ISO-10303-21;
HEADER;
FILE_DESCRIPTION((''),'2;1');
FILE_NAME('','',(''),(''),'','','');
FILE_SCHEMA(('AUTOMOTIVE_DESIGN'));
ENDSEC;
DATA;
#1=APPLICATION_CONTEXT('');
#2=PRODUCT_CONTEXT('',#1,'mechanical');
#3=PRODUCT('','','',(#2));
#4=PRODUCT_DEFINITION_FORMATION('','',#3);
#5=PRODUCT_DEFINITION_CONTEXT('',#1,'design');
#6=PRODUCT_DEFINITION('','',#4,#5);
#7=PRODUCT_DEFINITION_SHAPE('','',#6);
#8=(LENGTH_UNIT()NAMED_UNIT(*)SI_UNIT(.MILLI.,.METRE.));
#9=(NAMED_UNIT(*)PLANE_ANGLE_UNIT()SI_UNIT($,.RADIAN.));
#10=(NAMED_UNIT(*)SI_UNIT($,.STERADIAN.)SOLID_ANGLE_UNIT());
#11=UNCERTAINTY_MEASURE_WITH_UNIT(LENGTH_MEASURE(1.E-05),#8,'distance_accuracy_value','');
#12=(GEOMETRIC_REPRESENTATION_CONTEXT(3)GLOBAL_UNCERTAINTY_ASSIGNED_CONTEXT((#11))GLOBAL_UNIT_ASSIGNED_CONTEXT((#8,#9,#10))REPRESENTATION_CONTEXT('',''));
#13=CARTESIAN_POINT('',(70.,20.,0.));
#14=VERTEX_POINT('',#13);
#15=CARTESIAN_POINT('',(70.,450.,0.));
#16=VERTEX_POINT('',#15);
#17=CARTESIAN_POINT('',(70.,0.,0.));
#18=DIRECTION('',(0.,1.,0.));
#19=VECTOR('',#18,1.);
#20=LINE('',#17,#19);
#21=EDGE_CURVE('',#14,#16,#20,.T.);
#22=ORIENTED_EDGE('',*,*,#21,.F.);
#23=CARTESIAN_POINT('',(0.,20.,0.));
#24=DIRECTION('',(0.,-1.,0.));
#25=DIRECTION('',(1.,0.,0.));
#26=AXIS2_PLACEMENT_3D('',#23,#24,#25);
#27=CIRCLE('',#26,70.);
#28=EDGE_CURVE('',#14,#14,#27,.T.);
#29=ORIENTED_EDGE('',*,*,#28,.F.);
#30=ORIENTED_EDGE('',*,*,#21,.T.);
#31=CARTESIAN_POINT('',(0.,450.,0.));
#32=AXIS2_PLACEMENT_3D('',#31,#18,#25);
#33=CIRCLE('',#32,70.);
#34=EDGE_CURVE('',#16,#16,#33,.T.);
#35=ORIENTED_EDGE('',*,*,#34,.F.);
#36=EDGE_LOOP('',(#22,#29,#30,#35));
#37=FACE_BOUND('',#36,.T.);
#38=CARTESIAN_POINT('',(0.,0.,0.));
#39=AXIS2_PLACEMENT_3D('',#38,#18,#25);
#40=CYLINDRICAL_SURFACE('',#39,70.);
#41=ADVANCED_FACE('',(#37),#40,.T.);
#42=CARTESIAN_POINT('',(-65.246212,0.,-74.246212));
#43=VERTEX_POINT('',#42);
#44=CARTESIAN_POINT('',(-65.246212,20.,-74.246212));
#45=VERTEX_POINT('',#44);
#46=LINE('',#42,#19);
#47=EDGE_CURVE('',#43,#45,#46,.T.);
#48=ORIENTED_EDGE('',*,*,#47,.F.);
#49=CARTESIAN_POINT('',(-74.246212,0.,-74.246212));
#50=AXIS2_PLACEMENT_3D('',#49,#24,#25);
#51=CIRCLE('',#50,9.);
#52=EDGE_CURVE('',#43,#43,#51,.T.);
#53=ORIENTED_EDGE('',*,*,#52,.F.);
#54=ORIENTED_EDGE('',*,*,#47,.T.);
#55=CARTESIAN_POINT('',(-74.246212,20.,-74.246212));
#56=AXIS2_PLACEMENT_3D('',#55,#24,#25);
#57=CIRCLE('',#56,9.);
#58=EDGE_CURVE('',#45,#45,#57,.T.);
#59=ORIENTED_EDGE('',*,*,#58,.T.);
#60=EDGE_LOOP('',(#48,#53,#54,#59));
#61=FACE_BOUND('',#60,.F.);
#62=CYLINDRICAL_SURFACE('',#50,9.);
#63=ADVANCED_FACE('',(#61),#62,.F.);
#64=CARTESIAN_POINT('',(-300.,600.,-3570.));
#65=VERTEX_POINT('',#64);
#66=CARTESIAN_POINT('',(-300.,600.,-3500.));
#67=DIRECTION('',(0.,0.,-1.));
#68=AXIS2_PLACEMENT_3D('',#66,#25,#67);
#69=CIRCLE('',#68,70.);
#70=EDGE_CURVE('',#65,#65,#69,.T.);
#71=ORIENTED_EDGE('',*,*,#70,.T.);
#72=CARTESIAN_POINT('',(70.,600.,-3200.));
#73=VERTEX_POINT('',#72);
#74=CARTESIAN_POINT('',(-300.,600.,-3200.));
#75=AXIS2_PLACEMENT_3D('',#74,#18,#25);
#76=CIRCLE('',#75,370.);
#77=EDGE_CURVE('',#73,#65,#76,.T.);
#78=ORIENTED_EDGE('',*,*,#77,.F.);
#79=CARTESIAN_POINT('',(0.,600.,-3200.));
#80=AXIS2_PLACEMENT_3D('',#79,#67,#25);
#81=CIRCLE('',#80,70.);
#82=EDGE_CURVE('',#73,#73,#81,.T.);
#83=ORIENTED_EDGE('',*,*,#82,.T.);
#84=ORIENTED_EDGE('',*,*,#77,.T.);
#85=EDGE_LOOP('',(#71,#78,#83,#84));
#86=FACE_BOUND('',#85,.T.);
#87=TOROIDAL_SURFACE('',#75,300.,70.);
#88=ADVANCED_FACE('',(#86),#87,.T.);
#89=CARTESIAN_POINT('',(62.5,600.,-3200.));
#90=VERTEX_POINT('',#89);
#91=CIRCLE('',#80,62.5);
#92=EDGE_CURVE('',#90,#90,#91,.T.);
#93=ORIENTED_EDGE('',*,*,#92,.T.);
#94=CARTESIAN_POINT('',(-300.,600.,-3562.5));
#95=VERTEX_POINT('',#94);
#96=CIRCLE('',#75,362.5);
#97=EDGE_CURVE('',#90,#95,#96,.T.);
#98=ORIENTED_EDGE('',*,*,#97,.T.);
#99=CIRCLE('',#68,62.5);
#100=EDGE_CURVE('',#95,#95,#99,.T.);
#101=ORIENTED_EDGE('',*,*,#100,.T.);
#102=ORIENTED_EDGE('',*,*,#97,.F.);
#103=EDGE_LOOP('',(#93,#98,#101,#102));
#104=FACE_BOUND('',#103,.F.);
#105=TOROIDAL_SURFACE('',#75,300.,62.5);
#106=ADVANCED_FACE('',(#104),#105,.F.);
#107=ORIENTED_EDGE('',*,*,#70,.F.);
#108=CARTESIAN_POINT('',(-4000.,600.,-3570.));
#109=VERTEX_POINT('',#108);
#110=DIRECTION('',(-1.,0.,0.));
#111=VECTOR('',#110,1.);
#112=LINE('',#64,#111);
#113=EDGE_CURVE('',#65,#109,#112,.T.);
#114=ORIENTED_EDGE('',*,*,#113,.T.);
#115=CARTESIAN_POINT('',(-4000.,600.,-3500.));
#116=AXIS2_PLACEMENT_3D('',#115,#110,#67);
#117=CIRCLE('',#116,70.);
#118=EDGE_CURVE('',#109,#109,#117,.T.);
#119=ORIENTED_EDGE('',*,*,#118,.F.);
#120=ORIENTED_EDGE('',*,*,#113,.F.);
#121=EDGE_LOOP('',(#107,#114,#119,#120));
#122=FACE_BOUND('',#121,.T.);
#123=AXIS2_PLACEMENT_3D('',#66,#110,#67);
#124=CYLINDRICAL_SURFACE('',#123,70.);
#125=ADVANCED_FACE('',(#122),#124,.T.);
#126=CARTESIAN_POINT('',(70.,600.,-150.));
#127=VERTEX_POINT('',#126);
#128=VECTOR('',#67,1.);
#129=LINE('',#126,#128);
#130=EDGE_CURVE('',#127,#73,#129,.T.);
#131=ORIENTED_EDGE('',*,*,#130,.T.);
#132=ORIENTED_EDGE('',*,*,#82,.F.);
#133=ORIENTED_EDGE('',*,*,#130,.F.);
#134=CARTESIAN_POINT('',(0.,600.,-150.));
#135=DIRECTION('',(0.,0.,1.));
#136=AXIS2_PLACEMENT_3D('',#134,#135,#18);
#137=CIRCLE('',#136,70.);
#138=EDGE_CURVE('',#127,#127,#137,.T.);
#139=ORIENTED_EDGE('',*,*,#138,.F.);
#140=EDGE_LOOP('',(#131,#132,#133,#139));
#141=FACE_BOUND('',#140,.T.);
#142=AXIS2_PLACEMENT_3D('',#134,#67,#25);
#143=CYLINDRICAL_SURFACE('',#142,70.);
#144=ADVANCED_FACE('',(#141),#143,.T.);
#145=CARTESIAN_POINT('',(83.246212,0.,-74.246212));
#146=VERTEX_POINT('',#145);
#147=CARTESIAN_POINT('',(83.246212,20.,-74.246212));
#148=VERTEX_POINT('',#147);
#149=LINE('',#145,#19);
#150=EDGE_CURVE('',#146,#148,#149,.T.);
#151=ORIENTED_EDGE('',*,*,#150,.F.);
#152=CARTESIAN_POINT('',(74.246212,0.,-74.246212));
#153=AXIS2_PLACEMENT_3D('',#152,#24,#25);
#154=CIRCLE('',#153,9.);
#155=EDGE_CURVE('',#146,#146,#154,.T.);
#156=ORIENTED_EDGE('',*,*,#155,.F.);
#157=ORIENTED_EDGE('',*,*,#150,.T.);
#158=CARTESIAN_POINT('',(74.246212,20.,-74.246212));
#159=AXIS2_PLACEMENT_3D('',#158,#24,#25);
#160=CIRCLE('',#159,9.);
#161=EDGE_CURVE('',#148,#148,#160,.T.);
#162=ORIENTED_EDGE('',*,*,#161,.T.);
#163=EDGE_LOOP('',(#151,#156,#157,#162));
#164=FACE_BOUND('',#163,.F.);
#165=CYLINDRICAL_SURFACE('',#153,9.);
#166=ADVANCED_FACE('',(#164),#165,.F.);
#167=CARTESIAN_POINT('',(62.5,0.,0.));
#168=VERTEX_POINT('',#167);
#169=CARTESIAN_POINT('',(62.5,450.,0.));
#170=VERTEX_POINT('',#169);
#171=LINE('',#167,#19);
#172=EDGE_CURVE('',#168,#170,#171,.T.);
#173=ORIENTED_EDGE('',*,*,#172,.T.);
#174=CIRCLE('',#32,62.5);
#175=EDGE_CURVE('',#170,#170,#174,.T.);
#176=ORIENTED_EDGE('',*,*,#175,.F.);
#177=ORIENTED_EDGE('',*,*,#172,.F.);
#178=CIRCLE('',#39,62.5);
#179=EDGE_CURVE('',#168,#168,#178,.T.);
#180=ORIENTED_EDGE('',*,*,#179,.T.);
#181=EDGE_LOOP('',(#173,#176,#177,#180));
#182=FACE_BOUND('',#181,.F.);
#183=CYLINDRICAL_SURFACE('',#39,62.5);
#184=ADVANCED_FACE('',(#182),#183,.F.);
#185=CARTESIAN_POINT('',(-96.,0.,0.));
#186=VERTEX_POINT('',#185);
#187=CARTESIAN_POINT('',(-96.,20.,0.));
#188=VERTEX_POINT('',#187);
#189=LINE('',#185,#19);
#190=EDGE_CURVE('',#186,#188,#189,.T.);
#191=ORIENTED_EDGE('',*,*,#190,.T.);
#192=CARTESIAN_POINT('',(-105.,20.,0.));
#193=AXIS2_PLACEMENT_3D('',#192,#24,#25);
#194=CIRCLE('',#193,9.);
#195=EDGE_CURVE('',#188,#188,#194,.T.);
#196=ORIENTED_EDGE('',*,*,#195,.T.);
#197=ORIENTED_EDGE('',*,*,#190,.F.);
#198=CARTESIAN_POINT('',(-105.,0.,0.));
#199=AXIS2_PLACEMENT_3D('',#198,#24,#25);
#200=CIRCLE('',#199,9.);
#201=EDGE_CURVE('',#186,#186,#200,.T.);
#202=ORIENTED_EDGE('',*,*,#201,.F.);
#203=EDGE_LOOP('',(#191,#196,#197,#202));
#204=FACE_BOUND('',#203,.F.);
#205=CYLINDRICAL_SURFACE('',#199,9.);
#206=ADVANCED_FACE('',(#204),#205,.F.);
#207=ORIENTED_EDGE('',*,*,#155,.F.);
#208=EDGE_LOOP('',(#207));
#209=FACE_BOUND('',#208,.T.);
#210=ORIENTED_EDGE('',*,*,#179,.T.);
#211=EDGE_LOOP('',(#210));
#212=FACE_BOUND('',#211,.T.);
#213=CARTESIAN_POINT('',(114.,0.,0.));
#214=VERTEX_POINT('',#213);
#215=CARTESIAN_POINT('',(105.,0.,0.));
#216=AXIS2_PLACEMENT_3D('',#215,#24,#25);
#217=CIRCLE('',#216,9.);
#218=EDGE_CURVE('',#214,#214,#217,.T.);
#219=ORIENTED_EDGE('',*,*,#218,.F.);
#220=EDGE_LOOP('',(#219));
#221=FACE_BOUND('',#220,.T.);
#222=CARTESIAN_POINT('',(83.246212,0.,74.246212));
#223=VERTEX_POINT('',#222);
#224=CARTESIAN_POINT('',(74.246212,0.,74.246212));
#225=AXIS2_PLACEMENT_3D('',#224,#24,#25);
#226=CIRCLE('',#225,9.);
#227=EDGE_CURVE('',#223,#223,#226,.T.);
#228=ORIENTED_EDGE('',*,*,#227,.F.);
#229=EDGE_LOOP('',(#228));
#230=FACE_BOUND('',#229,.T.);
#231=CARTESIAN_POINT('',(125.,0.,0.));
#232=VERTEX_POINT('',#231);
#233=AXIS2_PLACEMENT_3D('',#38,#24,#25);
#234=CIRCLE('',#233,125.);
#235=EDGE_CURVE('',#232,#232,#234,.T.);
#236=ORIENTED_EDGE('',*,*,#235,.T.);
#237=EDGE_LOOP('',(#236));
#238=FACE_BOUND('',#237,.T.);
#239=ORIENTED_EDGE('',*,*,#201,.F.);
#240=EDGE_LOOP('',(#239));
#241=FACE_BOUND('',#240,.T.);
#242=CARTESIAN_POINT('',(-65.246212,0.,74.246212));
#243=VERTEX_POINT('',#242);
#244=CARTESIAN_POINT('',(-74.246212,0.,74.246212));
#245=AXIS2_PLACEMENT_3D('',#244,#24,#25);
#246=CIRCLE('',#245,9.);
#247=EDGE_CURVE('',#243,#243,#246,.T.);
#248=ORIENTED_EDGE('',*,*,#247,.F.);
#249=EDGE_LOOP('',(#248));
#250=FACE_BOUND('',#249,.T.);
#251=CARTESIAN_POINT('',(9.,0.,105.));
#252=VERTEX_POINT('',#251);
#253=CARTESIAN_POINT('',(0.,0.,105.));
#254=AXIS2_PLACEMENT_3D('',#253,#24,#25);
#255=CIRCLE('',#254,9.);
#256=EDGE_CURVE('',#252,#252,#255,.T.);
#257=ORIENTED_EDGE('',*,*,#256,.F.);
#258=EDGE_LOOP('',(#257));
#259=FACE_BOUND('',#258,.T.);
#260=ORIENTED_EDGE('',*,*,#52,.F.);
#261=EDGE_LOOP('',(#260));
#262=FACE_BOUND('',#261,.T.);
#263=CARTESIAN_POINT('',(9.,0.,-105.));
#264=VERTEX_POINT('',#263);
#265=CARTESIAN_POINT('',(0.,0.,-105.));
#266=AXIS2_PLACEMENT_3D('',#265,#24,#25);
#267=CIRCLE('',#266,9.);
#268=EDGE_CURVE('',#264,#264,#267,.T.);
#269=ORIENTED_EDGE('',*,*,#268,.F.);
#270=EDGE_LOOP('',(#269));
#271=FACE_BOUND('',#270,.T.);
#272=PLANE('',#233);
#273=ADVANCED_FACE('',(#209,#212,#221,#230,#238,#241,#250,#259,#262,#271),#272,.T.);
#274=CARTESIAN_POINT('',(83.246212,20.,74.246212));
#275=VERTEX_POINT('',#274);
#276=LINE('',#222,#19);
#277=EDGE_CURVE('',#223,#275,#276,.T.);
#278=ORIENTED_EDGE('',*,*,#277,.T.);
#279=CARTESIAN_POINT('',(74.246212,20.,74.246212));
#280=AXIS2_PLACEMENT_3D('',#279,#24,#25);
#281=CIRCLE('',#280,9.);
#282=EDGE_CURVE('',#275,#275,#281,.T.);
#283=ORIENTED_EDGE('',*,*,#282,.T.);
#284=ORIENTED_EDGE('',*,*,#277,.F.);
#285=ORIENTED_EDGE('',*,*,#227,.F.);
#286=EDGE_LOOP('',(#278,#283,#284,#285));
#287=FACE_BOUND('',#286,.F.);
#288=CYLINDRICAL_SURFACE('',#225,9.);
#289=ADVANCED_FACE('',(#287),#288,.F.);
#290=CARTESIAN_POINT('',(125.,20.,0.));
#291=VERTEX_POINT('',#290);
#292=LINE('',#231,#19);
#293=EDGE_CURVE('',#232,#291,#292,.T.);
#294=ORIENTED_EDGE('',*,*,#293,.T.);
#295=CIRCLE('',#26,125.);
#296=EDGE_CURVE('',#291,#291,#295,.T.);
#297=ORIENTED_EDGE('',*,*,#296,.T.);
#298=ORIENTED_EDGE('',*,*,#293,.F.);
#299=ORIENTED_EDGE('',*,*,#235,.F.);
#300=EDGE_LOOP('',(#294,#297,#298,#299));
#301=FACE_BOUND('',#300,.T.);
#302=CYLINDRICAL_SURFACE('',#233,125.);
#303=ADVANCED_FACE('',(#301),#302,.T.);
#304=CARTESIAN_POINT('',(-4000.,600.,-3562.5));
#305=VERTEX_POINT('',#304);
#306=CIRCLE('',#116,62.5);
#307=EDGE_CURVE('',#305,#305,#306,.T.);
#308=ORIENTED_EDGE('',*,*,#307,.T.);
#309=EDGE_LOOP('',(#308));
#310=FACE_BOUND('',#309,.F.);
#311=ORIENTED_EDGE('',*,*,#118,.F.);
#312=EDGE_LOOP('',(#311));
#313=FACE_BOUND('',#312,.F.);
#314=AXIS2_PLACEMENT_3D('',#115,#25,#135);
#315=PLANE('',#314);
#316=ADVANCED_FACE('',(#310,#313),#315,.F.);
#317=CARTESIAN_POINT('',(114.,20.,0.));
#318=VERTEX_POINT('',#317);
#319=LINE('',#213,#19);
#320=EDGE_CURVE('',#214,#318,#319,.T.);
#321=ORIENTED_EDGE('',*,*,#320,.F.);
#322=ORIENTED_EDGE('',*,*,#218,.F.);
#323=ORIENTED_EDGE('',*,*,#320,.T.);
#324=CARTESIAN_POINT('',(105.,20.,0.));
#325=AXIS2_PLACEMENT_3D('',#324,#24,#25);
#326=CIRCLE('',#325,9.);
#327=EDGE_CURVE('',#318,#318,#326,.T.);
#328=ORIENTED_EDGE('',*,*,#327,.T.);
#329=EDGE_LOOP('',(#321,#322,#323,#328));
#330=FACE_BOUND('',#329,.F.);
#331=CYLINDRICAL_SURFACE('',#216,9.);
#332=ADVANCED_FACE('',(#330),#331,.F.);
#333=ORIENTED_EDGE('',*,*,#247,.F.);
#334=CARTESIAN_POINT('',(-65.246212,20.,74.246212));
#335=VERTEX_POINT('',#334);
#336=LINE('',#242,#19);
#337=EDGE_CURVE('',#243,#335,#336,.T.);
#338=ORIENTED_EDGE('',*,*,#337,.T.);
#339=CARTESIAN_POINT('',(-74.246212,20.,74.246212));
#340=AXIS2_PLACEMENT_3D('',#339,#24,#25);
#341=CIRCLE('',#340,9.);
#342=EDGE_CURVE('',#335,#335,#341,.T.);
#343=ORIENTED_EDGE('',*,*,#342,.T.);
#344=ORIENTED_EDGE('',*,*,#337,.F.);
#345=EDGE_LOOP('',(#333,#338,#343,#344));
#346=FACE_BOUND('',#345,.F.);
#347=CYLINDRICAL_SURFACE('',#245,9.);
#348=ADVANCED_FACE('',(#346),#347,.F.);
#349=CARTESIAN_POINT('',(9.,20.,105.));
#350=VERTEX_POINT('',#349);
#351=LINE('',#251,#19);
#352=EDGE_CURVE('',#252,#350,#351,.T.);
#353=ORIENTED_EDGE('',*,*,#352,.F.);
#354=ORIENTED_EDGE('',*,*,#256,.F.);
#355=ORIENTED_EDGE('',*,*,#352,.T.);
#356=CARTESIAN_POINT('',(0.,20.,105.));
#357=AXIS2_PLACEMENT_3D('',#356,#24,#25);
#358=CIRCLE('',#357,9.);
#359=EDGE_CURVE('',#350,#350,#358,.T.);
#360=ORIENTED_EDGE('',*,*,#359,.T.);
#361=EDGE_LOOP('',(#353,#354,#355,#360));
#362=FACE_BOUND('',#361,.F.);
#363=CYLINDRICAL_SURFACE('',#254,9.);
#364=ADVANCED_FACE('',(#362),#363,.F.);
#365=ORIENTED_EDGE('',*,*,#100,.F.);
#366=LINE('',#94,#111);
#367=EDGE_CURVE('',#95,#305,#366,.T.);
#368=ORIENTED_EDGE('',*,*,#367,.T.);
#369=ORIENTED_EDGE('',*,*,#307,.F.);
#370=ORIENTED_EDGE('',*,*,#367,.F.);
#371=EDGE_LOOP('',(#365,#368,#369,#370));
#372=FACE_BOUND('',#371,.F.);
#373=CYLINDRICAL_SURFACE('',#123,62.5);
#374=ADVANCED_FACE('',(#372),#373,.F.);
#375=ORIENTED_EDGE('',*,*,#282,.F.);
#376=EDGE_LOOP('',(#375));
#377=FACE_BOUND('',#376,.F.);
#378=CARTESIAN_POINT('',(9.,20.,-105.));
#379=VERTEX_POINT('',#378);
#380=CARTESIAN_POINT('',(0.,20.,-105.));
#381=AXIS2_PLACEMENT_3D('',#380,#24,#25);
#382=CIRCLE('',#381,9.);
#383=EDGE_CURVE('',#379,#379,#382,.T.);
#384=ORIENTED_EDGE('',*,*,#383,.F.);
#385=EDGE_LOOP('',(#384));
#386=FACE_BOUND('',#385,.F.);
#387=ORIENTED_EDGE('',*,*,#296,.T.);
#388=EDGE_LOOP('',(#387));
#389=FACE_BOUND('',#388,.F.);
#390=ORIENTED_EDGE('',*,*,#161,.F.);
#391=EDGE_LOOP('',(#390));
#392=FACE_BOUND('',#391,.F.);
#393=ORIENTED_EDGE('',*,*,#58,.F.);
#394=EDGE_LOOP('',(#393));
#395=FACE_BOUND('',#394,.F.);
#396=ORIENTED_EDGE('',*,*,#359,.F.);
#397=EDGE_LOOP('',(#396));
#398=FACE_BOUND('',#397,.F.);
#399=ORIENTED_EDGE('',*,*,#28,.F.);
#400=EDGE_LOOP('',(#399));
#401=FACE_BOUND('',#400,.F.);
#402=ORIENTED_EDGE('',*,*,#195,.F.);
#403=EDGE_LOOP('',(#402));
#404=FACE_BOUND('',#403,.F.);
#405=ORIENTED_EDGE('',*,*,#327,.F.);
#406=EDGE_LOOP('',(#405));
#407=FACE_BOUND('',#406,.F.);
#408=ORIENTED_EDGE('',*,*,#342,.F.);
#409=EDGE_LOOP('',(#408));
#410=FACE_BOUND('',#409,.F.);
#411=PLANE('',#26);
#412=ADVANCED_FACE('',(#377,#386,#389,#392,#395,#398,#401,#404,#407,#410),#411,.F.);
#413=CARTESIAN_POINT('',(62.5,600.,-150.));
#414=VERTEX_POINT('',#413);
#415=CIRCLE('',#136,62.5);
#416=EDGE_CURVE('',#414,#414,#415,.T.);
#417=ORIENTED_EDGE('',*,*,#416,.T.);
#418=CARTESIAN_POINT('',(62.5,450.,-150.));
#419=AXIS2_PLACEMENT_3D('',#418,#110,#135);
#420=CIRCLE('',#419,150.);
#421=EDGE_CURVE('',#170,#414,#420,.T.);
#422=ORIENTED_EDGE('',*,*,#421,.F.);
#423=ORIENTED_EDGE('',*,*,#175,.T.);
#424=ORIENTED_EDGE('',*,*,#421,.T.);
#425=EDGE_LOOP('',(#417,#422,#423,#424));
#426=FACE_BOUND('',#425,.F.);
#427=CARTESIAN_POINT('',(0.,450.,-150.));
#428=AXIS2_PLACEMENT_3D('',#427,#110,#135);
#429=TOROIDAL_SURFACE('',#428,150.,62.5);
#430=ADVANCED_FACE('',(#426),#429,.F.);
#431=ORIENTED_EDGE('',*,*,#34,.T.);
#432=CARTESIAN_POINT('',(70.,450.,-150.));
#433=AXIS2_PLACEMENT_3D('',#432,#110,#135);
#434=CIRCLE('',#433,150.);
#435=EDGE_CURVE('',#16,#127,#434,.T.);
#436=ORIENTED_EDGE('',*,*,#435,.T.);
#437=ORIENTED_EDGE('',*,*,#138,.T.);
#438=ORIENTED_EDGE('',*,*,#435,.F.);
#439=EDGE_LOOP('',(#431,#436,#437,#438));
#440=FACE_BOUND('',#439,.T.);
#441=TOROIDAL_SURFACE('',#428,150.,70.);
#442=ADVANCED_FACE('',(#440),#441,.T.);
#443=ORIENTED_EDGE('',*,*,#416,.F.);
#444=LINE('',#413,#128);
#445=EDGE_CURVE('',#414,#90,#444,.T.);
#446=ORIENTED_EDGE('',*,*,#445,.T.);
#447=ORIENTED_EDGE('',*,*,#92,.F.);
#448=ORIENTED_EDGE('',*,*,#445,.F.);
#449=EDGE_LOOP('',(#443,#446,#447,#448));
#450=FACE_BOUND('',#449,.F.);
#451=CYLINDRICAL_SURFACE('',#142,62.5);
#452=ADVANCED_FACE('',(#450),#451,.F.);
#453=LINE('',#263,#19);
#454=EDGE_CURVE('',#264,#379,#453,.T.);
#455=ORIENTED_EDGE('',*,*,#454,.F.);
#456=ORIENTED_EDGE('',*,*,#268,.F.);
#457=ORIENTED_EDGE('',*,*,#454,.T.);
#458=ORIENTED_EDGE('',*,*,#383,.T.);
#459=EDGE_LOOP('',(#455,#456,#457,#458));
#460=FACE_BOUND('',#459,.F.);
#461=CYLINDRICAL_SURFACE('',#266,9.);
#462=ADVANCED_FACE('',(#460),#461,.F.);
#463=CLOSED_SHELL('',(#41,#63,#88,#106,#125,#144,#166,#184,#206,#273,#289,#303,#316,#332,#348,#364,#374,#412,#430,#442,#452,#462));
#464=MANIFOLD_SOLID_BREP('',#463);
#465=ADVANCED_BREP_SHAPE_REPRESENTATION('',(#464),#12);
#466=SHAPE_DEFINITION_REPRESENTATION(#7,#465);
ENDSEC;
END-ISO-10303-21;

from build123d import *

# Parameters (mm, degrees)
F0_R     = 70
F0_R_2   = 62.5
F0_R_3   = 125
F0_R_4   = 9
F5_DEPTH = 20


with BuildPart() as f4:
    # F4: sweep along a path in F1, F3
    with BuildLine(Plane.YZ) as f4_path:
        Line((0, 0), (450, 0))
        ThreePointArc((450, 0), (556.066017178, -43.933982822), (600, -150))
    with BuildLine(Plane.XZ.offset(-600)) as f4_path_2:
        Line((0, -150), (0, -3200))
        ThreePointArc((0, -3200), (-87.867965644, -3412.132034356), (-300, -3500))
        Line((-300, -3500), (-4000, -3500))
    # F0 (on Front) → F4 (sweep)
    with BuildSketch(Plane.XZ):
        Circle(F0_R)
        Circle(F0_R_2, mode=Mode.SUBTRACT)
    sweep(path=f4_path.line + f4_path_2.line)

    # F0 (on Front) → F5 (join)
    with BuildSketch(Plane.XZ):
        Circle(F0_R_3)
        with Locations((-74.2462120246, -74.2462120246)):
            Circle(F0_R_4, mode=Mode.SUBTRACT)
        with Locations((0, -105)):
            Circle(F0_R_4, mode=Mode.SUBTRACT)
        with Locations((74.2462120246, -74.2462120246)):
            Circle(F0_R_4, mode=Mode.SUBTRACT)
        with Locations((-105, 0)):
            Circle(F0_R_4, mode=Mode.SUBTRACT)
        with Locations((-74.2462120246, 74.2462120246)):
            Circle(F0_R_4, mode=Mode.SUBTRACT)
        Circle(F0_R, mode=Mode.SUBTRACT)
        with Locations((105, 0)):
            Circle(F0_R_4, mode=Mode.SUBTRACT)
        with Locations((0, 105)):
            Circle(F0_R_4, mode=Mode.SUBTRACT)
        with Locations((74.2462120246, 74.2462120246)):
            Circle(F0_R_4, mode=Mode.SUBTRACT)
    extrude(amount=-F5_DEPTH)


solid = f4.part
